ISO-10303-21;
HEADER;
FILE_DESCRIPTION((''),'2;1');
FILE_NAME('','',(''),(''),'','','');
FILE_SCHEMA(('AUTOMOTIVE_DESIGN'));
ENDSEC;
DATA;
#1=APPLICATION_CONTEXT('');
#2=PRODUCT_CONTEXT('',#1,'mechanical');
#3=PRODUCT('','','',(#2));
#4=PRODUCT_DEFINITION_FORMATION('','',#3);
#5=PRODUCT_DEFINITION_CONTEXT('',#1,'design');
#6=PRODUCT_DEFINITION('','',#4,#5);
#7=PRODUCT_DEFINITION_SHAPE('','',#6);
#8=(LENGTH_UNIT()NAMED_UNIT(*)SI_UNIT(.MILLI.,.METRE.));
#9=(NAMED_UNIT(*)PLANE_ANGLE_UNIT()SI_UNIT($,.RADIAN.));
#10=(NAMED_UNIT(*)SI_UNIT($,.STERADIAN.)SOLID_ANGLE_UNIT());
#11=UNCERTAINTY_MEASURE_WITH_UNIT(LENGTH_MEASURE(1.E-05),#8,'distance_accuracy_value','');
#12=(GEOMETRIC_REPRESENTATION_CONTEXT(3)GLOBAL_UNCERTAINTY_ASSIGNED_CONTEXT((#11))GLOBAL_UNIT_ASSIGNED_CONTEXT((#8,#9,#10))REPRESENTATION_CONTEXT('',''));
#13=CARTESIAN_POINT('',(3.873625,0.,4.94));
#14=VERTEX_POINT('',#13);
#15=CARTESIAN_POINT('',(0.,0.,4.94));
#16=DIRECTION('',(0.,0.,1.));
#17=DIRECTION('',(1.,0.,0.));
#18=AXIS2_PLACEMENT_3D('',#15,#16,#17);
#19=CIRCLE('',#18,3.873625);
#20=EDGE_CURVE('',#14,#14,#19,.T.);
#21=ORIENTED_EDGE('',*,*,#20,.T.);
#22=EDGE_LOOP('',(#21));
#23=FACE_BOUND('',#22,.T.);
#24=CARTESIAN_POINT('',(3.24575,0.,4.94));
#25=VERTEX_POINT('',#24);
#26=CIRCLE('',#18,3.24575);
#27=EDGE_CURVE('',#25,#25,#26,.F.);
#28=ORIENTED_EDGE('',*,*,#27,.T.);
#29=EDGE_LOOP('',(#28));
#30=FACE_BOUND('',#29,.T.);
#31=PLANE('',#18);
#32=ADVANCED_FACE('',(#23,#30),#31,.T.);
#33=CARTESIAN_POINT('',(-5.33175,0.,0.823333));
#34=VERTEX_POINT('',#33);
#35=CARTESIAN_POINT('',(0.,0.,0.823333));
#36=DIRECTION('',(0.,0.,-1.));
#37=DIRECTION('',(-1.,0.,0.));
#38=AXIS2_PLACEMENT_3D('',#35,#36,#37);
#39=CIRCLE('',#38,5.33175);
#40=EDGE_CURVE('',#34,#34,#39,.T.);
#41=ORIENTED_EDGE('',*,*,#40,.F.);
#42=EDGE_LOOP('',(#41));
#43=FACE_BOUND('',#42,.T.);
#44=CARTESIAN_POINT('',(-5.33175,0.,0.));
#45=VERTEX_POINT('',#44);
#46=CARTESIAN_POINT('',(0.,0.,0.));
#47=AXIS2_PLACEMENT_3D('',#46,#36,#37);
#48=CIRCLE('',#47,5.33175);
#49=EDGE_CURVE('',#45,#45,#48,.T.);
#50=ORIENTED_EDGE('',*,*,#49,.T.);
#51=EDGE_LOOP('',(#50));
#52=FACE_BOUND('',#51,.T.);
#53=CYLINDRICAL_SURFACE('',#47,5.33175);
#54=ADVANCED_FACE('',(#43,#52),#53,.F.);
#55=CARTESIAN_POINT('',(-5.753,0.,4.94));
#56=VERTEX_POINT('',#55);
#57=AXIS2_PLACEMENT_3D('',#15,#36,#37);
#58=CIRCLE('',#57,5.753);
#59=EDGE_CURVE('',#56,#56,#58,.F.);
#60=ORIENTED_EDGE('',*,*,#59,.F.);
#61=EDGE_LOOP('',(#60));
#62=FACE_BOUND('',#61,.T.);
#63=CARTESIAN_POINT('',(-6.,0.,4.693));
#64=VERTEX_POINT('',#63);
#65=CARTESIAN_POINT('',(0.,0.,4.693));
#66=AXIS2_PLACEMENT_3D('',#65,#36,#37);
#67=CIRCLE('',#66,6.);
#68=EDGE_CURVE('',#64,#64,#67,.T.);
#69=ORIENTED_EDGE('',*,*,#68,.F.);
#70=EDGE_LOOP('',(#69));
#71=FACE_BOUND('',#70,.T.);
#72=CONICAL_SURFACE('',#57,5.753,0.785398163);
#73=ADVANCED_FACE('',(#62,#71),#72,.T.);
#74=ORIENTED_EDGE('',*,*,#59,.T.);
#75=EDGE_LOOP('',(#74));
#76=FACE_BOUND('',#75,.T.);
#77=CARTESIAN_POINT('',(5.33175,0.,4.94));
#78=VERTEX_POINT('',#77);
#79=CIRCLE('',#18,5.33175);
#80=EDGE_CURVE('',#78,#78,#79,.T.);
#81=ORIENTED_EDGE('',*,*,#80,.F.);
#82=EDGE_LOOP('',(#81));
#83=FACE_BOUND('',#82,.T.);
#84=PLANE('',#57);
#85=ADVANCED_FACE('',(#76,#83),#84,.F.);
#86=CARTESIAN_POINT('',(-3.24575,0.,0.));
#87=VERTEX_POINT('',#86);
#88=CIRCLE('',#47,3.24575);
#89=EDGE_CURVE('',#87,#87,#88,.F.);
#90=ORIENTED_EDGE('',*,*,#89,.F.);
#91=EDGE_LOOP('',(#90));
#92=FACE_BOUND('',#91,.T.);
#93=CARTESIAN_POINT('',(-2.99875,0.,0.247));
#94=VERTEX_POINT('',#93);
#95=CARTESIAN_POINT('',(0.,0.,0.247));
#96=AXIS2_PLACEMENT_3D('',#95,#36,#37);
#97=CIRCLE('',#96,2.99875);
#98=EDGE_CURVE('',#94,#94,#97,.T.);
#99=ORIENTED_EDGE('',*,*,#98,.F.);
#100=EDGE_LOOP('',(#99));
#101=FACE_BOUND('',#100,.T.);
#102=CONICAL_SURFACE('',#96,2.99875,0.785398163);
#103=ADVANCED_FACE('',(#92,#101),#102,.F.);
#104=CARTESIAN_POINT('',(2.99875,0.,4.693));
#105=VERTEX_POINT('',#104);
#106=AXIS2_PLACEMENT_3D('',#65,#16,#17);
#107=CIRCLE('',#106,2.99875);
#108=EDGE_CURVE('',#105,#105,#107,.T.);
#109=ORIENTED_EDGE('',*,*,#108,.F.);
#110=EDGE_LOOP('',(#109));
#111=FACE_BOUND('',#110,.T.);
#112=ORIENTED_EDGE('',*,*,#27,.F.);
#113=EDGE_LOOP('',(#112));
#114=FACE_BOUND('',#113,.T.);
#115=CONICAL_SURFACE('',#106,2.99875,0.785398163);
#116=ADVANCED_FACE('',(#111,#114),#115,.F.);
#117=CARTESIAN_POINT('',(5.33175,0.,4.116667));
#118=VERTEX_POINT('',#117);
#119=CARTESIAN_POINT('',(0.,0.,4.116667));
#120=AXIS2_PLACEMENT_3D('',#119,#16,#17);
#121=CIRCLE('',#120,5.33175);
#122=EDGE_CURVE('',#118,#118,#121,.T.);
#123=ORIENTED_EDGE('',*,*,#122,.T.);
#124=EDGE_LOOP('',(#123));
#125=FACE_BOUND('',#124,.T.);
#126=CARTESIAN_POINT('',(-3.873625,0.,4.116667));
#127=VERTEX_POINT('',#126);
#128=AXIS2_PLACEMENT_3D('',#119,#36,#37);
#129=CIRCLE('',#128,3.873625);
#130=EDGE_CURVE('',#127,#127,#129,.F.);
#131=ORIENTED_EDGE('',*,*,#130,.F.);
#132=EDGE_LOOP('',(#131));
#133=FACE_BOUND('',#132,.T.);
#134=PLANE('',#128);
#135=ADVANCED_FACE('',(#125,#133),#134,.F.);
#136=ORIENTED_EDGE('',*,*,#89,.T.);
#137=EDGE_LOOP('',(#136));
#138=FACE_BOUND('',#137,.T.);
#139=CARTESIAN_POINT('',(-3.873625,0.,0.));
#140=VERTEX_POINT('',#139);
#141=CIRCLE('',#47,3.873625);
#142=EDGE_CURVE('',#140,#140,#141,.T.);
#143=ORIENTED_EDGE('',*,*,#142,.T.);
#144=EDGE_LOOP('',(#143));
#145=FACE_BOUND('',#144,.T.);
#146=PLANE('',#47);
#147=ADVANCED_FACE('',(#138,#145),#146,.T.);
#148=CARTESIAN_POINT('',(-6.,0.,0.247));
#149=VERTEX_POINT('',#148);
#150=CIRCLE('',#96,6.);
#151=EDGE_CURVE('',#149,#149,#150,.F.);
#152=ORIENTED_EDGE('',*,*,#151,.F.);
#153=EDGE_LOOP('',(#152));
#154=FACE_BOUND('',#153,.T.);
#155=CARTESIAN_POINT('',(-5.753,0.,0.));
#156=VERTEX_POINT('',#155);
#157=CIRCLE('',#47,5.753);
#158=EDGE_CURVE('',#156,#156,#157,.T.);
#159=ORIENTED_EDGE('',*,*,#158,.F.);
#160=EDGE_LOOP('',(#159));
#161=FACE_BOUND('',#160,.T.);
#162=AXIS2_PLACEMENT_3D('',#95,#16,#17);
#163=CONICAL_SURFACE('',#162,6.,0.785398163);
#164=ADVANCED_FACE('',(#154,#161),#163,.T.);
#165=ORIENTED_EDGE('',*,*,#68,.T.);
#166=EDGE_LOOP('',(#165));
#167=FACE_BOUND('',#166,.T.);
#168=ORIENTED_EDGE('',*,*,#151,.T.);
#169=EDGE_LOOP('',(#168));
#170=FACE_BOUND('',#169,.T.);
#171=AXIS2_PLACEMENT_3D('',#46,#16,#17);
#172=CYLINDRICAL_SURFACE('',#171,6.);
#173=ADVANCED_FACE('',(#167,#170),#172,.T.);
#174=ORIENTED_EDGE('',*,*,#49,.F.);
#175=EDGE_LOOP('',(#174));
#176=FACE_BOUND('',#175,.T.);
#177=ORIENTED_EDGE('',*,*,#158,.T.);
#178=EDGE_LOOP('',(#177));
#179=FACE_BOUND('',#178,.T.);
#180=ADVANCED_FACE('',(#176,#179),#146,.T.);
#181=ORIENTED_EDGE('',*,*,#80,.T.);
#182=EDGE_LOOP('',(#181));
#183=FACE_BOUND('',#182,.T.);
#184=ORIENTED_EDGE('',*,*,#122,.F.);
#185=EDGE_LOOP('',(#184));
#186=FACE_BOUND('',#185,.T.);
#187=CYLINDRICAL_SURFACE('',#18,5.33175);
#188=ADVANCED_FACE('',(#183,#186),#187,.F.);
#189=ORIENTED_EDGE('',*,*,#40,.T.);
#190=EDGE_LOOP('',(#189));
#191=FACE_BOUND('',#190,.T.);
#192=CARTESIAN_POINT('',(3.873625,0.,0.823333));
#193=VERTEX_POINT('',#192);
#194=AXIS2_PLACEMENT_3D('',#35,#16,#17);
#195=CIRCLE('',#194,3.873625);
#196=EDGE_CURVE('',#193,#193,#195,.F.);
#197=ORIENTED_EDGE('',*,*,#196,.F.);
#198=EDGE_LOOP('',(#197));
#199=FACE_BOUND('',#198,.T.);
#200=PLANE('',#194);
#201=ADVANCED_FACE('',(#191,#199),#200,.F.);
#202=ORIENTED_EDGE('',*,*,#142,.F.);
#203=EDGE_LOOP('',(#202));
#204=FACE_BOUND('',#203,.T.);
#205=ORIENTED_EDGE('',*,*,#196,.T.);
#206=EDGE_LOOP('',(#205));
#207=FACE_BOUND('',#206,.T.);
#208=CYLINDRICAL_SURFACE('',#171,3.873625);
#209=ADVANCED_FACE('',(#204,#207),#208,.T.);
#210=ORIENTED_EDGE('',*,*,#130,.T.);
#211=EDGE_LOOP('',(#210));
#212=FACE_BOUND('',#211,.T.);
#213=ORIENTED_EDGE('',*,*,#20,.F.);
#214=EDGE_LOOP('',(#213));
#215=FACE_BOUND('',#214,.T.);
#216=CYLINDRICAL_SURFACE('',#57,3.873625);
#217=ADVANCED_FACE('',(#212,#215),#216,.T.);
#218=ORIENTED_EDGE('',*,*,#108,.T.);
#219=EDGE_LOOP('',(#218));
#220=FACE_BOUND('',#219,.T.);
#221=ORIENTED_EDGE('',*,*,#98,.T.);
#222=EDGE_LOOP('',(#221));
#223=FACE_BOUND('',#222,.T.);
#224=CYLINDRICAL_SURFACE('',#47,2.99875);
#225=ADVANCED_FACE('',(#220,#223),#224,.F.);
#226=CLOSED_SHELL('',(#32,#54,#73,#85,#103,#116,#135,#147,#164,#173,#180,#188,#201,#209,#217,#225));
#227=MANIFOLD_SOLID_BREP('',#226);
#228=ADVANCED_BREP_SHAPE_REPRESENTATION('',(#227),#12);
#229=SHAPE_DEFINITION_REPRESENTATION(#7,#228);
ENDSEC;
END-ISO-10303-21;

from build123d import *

# Parameters (mm, degrees)
SKETCH1_R      = 6
EXTRUDE1_DEPTH = 4.94
HOLE1_D        = 10.6635
HOLE1_DEPTH    = 0.823333333
SKETCH4_R      = 3.873625
EXTRUDE2_DEPTH = 0.823333333
HOLE2_D        = 10.6635
HOLE2_DEPTH    = 0.823333333
SKETCH7_R      = 3.873625
EXTRUDE3_DEPTH = 0.823333333
HOLE3_D        = 5.9975
HOLE3_DEPTH    = 4.94
CHAMFER1_SIZE  = 0.247


with BuildPart() as part:
    # Sketch1 → Extrude1 (new body)
    with BuildSketch(Plane.XY.offset(4.94)):
        Circle(SKETCH1_R)
    extrude(amount=-EXTRUDE1_DEPTH)

    # Hole1
    with Locations(Plane.XY.offset(4.94)):
        with Locations((0, 0)):
            Hole(HOLE1_D / 2, depth=HOLE1_DEPTH)

    # Sketch4 → Extrude2 (add)
    with BuildSketch(Plane.XY.offset(4.116666667)):
        Circle(SKETCH4_R)
    extrude(amount=EXTRUDE2_DEPTH)

    # Hole2
    with Locations(Plane(origin=(0, 0, 0), x_dir=(-1, 0, 0), z_dir=(0, 0, -1))):
        with Locations((0, 0)):
            Hole(HOLE2_D / 2, depth=HOLE2_DEPTH)

    # Sketch7 → Extrude3 (add)
    with BuildSketch(Plane(origin=(0, 0, 0.823333333), x_dir=(-1, 0, 0), z_dir=(0, 0, -1))):
        Circle(SKETCH7_R)
    extrude(amount=EXTRUDE3_DEPTH)

    # Hole3
    with Locations(Plane(origin=(0, 0, 0), x_dir=(-1, 0, 0), z_dir=(0, 0, -1))):
        with Locations((0, 0)):
            Hole(HOLE3_D / 2, depth=HOLE3_DEPTH)

    # Chamfer1
    chamfer1_edges = [part.edges().sort_by_distance(p)[0] for p in [
        (-6, 0, 4.94),
        (-2.99875, 0, 0),
        (-2.99875, 0, 4.94),
        (-6, 0, 0),
    ]]
    chamfer(chamfer1_edges, length=CHAMFER1_SIZE)


solid = part.part
